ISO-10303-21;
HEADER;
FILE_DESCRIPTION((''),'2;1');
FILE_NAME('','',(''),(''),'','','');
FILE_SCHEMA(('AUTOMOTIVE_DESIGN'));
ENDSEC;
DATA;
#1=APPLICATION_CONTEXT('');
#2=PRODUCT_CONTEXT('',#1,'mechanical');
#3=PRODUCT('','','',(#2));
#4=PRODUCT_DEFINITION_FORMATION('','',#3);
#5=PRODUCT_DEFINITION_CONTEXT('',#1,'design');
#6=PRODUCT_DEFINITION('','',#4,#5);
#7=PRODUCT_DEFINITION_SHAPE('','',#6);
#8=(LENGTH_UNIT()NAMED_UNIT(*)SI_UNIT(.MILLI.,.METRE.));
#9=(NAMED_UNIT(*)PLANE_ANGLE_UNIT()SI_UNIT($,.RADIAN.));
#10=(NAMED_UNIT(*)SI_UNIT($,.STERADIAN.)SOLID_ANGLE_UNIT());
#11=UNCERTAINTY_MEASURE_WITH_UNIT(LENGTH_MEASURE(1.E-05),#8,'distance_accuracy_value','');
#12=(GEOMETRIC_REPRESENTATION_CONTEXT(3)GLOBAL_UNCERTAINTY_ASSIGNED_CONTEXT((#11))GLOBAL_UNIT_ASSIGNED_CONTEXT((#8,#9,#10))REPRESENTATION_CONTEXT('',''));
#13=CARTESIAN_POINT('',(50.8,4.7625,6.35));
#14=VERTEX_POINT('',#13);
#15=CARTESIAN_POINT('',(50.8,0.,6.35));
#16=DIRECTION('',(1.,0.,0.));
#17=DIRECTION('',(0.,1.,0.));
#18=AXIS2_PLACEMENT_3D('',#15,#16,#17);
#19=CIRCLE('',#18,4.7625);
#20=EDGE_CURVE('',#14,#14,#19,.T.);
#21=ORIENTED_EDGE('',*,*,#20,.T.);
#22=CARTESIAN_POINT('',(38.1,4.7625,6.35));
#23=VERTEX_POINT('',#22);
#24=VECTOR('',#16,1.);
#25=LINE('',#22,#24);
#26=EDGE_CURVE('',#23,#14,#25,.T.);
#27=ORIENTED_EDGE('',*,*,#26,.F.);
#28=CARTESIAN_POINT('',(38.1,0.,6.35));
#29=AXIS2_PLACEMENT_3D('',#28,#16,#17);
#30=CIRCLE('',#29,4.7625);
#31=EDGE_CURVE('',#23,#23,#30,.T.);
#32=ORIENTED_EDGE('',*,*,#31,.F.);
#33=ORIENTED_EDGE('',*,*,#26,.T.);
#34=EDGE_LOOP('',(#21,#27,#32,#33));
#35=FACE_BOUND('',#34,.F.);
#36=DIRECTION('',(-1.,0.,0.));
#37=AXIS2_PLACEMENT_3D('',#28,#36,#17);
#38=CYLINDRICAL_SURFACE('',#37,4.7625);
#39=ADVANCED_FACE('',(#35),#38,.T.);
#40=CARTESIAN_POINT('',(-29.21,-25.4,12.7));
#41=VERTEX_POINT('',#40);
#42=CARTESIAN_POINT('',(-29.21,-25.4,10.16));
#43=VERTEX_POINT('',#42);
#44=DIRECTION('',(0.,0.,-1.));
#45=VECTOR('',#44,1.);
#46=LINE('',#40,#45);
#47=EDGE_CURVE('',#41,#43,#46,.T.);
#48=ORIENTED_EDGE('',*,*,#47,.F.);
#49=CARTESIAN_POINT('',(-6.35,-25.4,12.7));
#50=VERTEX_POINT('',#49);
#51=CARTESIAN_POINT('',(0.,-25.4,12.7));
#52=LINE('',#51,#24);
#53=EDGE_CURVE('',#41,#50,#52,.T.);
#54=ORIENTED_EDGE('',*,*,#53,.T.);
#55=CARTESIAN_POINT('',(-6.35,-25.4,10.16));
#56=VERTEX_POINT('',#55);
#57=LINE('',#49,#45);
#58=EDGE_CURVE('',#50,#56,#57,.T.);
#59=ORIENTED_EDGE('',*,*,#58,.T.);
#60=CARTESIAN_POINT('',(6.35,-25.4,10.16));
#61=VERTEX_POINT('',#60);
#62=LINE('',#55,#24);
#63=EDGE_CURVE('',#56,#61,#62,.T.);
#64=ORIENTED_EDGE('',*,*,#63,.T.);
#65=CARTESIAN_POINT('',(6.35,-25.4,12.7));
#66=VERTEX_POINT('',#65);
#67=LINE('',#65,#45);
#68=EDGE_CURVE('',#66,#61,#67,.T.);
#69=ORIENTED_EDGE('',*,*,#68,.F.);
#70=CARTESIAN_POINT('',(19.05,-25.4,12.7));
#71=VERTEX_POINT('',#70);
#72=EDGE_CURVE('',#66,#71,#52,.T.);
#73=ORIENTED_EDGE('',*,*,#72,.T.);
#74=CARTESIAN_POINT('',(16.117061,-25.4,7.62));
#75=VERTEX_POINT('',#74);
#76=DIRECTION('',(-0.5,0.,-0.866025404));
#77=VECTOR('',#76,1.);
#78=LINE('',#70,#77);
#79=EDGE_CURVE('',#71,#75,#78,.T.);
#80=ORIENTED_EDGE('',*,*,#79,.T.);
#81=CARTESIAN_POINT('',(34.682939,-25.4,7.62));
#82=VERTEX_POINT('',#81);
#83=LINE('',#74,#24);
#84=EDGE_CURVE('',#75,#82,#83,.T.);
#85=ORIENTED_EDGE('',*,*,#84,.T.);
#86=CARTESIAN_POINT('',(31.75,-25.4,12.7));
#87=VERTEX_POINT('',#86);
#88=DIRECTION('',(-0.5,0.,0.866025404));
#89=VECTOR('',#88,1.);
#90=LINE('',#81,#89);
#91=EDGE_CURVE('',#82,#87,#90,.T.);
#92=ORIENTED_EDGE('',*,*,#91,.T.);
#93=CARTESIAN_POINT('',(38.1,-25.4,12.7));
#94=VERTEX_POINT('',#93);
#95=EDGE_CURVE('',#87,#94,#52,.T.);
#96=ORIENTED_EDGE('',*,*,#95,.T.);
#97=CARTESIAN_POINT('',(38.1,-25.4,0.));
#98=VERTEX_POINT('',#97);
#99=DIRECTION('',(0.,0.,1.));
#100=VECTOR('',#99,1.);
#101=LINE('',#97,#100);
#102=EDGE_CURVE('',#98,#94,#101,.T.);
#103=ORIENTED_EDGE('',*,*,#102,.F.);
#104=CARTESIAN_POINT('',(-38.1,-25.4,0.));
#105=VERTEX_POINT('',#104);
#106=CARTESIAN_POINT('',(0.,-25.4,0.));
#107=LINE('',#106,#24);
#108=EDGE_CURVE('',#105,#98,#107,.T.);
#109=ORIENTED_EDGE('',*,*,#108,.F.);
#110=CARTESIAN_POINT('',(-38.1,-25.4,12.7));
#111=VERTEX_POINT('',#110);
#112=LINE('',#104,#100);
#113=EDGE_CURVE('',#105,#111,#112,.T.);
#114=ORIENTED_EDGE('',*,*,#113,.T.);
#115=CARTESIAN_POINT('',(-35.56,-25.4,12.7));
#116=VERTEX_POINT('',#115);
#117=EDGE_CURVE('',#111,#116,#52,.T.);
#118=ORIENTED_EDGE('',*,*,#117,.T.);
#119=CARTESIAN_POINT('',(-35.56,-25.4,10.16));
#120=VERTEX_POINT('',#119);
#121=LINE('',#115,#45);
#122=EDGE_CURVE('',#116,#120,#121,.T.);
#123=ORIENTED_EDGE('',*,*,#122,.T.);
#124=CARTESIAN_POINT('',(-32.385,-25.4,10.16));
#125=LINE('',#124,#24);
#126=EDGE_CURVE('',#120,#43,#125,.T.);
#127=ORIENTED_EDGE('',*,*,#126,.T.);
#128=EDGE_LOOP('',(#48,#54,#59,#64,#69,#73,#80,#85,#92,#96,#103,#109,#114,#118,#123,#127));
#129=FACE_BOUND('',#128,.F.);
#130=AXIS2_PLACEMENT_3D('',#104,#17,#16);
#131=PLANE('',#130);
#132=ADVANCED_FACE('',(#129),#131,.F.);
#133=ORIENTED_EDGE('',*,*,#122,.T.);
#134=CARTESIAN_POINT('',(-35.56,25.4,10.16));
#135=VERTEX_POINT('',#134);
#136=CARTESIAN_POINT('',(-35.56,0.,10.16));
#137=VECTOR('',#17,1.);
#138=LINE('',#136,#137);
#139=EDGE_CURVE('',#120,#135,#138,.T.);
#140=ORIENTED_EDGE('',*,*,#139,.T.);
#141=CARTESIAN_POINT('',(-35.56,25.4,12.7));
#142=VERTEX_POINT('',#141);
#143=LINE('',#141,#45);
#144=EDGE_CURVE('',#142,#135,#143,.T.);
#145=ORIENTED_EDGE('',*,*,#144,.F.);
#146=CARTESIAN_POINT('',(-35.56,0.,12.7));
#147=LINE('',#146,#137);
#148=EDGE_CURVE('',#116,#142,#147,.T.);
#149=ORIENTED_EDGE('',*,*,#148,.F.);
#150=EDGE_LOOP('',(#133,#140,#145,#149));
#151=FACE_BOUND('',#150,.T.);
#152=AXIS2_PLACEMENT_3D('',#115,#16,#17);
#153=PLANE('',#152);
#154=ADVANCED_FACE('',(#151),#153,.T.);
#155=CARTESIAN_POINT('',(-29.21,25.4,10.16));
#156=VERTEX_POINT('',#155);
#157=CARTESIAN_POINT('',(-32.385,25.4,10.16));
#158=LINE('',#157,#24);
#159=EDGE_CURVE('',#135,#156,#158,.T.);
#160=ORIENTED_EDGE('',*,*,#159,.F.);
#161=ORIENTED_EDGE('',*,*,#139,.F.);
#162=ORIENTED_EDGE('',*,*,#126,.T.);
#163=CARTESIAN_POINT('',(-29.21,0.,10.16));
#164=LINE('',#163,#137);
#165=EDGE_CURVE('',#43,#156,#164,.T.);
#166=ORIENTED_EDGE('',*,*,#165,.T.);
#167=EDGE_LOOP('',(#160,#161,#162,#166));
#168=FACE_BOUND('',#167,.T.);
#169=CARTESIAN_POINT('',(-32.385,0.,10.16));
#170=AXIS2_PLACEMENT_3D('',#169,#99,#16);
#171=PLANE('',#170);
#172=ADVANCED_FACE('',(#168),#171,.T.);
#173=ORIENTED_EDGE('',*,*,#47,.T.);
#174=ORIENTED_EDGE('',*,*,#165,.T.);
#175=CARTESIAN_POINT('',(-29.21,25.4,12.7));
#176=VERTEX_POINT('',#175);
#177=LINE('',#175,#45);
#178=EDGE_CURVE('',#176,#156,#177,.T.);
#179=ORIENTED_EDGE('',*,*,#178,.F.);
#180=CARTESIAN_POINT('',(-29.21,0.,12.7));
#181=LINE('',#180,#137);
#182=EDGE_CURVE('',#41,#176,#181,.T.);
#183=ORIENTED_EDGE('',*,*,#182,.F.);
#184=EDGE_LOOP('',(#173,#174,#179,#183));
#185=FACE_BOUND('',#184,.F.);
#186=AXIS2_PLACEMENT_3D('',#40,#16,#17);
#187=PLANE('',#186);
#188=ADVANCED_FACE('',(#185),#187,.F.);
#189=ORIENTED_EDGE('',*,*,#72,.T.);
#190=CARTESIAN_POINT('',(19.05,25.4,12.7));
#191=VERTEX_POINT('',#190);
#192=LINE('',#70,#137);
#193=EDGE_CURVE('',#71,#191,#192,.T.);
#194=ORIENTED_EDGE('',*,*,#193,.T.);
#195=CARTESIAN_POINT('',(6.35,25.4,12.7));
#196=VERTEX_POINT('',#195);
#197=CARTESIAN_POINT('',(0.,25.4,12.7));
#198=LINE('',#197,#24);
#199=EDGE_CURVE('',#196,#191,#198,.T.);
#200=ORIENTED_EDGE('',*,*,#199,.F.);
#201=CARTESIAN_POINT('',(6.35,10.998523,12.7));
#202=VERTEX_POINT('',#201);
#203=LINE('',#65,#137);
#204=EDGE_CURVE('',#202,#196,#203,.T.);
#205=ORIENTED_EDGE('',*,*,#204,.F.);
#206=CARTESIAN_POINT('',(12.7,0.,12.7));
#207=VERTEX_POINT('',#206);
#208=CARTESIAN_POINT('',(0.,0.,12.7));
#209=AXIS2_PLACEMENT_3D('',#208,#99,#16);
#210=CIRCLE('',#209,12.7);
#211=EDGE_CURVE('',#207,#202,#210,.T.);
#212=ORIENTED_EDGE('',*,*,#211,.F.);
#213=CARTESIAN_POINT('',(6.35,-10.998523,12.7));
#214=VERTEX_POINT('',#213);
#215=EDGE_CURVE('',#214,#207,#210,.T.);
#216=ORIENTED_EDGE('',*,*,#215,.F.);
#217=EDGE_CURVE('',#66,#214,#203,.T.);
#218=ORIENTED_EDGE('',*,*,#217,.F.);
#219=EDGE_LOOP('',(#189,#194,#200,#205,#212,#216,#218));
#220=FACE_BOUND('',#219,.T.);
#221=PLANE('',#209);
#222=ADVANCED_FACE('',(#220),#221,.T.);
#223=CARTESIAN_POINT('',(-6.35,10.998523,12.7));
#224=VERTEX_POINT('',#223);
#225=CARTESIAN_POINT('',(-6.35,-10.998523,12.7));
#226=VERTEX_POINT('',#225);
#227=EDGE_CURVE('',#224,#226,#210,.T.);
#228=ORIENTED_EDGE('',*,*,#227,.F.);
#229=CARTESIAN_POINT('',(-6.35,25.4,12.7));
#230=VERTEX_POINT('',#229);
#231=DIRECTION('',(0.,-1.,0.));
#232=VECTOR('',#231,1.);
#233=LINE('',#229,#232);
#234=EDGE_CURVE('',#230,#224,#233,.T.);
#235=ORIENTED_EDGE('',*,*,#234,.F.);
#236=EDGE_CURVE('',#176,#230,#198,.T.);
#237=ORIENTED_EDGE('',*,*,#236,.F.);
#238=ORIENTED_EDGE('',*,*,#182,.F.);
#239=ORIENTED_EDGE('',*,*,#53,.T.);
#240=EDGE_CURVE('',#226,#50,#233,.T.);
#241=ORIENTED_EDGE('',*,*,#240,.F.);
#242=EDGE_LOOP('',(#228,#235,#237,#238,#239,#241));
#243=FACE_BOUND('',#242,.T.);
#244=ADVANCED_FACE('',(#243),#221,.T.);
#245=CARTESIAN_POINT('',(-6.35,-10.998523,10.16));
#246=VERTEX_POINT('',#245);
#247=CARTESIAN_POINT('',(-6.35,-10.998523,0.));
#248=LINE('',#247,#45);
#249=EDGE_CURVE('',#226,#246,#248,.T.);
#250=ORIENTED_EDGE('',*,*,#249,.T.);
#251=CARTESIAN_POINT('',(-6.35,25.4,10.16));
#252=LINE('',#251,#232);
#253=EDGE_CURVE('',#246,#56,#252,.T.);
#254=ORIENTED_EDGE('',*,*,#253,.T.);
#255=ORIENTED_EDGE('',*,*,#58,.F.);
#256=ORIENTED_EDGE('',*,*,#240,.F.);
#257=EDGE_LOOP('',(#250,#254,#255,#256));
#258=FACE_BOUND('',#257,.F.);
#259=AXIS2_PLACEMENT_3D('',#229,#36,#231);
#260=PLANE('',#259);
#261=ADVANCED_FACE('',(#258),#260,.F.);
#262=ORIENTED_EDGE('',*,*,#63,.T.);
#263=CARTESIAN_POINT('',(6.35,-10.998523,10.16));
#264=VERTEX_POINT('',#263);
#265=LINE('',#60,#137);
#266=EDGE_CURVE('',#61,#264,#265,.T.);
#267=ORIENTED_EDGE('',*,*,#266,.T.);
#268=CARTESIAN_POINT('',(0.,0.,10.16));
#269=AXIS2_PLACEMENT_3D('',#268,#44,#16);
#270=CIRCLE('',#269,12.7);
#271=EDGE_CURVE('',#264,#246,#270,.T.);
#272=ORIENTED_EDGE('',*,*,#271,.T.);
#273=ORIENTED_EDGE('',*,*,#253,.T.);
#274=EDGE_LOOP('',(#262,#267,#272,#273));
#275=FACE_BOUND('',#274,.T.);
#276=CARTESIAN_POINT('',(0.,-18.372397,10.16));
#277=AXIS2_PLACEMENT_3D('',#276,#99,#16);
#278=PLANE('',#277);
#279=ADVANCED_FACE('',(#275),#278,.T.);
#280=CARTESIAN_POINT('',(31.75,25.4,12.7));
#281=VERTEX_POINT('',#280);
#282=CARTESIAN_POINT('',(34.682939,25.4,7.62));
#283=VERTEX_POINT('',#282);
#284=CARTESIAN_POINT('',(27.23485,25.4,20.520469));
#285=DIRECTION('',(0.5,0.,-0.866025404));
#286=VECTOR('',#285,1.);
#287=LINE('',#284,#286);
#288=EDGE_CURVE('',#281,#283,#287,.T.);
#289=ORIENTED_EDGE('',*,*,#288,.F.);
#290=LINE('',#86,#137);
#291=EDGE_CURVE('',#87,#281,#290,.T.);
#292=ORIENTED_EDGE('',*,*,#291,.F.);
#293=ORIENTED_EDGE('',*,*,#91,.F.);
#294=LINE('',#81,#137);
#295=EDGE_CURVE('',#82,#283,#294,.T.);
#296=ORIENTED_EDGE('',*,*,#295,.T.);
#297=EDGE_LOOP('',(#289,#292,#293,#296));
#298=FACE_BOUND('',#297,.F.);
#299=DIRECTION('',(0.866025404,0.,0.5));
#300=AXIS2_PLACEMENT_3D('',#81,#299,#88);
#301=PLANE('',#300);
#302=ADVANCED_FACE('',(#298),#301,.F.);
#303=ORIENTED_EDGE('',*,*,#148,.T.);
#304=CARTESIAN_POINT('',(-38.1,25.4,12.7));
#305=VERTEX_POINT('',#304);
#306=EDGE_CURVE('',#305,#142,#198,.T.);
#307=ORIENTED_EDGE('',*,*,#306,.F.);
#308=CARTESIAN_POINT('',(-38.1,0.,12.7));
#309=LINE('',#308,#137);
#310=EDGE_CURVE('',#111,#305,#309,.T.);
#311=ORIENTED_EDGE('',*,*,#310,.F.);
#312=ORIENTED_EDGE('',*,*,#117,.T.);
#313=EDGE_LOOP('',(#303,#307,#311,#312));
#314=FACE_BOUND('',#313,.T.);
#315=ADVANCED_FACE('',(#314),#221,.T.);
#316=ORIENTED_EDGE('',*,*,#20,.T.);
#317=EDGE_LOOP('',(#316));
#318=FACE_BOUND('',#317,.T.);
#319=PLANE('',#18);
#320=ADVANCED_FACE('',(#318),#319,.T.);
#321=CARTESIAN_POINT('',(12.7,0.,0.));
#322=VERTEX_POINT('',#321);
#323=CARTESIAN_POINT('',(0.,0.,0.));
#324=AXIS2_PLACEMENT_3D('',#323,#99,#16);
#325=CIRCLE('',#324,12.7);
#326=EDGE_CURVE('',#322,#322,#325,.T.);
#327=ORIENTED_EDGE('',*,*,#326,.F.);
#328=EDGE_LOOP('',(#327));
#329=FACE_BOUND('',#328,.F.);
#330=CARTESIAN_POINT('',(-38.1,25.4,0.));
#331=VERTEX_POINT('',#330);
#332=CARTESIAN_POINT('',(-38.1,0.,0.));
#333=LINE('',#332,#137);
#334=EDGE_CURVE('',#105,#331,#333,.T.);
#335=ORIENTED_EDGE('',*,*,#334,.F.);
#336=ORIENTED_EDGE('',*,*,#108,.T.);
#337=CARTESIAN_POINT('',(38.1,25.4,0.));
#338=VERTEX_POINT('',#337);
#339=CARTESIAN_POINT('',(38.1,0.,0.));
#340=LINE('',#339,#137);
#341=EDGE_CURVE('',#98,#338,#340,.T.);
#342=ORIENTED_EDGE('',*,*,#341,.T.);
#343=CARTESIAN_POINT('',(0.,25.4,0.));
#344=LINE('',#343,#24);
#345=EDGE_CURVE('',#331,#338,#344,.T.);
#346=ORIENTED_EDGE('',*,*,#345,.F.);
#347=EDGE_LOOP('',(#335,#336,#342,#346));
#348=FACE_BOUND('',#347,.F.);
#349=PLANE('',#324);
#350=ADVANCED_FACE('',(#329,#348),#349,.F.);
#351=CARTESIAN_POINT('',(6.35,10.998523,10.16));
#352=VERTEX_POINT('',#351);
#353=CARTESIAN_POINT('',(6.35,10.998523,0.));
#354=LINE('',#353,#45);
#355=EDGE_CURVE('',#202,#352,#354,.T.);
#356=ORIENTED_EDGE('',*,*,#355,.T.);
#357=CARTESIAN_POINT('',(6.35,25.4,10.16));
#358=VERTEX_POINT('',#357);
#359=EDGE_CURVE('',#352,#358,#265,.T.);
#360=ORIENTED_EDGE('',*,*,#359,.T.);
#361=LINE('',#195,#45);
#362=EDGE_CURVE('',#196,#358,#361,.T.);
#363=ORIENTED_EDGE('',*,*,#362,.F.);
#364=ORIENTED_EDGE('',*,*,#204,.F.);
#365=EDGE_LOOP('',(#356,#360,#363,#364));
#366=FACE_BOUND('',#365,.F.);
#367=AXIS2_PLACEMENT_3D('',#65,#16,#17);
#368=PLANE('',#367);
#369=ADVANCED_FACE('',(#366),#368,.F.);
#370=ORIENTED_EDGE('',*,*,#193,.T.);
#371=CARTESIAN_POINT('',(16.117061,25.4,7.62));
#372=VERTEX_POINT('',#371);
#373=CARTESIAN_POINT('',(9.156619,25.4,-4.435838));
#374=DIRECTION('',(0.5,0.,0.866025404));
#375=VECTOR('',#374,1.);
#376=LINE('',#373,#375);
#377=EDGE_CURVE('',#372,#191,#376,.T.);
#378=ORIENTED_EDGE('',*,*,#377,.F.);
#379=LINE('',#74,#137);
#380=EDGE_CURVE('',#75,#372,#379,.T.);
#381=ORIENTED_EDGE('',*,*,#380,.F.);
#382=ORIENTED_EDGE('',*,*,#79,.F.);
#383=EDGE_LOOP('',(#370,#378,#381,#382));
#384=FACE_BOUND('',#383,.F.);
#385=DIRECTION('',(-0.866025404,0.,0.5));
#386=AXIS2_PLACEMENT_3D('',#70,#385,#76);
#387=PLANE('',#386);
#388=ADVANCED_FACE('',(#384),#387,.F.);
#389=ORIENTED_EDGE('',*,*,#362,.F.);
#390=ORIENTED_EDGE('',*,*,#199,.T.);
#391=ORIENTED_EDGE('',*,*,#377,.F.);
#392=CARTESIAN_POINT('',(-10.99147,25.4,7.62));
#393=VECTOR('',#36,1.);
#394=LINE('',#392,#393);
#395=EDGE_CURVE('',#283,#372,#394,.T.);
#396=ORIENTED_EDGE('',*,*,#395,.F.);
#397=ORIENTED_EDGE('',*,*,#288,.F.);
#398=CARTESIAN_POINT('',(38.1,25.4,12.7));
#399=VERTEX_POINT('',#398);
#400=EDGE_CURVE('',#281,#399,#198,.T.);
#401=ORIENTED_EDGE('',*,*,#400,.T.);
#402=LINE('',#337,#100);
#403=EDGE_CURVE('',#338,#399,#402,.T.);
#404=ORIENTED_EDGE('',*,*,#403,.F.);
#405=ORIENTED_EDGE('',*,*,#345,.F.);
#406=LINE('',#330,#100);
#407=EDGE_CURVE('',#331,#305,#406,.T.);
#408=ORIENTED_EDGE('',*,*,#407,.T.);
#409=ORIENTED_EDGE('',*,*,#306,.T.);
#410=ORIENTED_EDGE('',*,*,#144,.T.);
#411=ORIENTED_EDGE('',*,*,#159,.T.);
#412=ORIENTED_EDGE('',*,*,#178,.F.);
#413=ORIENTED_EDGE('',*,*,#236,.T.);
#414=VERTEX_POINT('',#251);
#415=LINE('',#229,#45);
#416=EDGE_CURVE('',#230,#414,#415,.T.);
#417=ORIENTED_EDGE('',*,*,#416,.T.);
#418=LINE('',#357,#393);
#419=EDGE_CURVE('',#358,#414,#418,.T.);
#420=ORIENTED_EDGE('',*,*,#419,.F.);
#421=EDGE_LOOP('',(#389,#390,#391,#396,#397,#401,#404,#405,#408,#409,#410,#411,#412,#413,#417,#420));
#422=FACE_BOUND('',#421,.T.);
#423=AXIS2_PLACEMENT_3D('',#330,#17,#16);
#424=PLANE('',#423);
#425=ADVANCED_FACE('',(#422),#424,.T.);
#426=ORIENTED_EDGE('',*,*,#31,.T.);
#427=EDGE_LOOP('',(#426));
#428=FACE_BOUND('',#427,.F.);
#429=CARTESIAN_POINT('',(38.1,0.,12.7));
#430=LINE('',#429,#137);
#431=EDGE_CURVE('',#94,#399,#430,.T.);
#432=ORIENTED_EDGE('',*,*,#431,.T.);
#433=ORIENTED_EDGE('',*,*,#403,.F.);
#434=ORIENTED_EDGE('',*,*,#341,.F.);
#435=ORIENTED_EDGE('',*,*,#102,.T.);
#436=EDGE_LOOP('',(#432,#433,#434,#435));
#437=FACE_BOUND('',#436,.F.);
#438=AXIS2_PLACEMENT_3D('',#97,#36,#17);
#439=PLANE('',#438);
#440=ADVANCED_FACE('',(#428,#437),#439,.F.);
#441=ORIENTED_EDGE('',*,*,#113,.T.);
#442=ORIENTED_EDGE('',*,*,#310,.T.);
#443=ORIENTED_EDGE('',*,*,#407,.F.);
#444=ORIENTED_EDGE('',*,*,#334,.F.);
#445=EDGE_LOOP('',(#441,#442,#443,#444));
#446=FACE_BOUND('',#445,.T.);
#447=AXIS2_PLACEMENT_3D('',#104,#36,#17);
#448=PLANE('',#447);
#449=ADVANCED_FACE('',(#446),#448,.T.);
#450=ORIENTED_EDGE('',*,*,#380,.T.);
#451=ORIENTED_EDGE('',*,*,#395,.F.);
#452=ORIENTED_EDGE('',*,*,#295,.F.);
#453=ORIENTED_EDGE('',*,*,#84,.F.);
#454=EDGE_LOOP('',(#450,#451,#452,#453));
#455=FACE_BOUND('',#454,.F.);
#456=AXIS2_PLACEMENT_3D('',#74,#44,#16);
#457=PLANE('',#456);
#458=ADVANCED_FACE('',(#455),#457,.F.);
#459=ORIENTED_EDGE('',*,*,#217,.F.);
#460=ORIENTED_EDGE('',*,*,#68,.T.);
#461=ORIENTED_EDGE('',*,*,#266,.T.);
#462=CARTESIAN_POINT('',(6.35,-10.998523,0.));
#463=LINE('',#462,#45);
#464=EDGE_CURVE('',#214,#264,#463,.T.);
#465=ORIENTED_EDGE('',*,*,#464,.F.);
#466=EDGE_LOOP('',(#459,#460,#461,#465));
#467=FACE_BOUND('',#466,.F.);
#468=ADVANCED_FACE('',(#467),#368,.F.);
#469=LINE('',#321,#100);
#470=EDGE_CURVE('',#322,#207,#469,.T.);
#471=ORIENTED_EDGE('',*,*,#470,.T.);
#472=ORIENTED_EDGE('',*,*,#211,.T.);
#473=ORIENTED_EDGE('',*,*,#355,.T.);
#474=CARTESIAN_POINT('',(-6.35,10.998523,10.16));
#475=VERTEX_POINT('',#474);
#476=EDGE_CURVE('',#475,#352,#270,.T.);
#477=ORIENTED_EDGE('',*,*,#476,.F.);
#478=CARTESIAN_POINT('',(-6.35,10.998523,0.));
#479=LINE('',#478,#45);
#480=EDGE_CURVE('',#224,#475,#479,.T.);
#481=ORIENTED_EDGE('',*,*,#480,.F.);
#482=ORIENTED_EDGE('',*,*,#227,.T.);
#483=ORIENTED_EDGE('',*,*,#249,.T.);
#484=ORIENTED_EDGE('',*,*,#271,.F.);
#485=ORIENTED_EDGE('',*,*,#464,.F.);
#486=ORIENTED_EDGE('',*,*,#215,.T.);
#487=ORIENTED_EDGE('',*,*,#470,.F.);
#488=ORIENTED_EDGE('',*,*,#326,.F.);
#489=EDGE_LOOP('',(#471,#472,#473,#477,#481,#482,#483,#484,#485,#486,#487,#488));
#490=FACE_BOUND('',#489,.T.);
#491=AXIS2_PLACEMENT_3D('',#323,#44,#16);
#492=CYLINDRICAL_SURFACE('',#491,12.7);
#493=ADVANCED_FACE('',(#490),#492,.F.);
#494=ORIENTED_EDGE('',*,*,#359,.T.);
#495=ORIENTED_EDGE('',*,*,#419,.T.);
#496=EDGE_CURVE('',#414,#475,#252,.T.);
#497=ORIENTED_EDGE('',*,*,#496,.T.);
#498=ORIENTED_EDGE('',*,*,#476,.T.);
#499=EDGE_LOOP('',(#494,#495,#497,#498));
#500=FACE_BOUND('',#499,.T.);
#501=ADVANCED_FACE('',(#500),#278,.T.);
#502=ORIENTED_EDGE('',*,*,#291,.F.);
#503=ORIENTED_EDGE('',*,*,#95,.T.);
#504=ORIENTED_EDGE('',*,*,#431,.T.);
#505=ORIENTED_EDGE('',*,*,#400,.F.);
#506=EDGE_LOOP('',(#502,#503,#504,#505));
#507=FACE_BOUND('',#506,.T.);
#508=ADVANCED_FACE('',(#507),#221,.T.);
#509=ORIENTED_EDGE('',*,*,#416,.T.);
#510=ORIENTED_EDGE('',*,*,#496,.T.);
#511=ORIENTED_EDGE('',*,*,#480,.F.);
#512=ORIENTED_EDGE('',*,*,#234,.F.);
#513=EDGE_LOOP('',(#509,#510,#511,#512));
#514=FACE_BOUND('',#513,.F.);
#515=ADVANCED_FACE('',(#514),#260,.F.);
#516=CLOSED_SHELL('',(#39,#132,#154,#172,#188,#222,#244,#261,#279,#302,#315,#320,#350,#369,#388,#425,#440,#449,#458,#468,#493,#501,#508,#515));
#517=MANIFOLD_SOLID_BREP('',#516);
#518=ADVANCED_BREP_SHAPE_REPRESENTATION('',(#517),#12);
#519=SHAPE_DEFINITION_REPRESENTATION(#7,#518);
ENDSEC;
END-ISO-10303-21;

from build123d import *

# Parameters (mm, degrees)
F0_W     = 76.2
F0_H     = 50.8
F0_R     = 12.7
F1_DEPTH = 12.7
F2_W     = 6.35
F2_H     = 50.8
F3_DEPTH = 2.54
F5_DEPTH = 50.801
F6_R     = 4.7625
F7_DEPTH = 12.7


with BuildPart() as f1:
    # F0 (on Top) → F1 (new body)
    with BuildSketch(Plane.XY):
        Rectangle(F0_W, F0_H)
        Circle(F0_R, mode=Mode.SUBTRACT)
    extrude(amount=F1_DEPTH)

    # F2 (on face) → F3 (cut)
    with BuildSketch(Plane.XY.offset(12.7)):
        with Locations((-32.385, 0)):
            Rectangle(F2_W, F2_H)
        with BuildLine():
            Line((-6.35, -10.9985226281), (-6.35, -25.4))
            Line((-6.35, -25.4), (6.35, -25.4))
            Line((6.35, -25.4), (6.35, -10.9985226281))
            ThreePointArc((6.35, -10.9985226281), (0, -12.7), (-6.35, -10.9985226281))
        make_face()
        with BuildLine():
            ThreePointArc((6.35, 10.9985226281), (0, 12.7), (-6.35, 10.9985226281))
            Line((-6.35, 10.9985226281), (-6.35, -10.9985226281))
            ThreePointArc((-6.35, -10.9985226281), (0, -12.7), (6.35, -10.9985226281))
            Line((6.35, -10.9985226281), (6.35, 10.9985226281))
        make_face()
        with BuildLine():
            Line((6.35, 25.4), (-6.35, 25.4))
            Line((-6.35, 25.4), (-6.35, 10.9985226281))
            ThreePointArc((-6.35, 10.9985226281), (0, 12.7), (6.35, 10.9985226281))
            Line((6.35, 10.9985226281), (6.35, 25.4))
        make_face()
    extrude(amount=-F3_DEPTH, mode=Mode.SUBTRACT)

    # F4 (on face) → F5 (cut, through all)
    with BuildSketch(Plane.XZ.offset(25.4)):
        Polygon((31.75, 12.7), (19.05, 12.7), (16.1170606325, 7.62), (34.6829393675, 7.62), align=None)
    extrude(amount=-F5_DEPTH, mode=Mode.SUBTRACT)

    # F6 (on face) → F7 (join)
    with BuildSketch(Plane.YZ.offset(38.1)):
        with Locations((0, 6.35)):
            Circle(F6_R)
    extrude(amount=F7_DEPTH)


solid = f1.part
